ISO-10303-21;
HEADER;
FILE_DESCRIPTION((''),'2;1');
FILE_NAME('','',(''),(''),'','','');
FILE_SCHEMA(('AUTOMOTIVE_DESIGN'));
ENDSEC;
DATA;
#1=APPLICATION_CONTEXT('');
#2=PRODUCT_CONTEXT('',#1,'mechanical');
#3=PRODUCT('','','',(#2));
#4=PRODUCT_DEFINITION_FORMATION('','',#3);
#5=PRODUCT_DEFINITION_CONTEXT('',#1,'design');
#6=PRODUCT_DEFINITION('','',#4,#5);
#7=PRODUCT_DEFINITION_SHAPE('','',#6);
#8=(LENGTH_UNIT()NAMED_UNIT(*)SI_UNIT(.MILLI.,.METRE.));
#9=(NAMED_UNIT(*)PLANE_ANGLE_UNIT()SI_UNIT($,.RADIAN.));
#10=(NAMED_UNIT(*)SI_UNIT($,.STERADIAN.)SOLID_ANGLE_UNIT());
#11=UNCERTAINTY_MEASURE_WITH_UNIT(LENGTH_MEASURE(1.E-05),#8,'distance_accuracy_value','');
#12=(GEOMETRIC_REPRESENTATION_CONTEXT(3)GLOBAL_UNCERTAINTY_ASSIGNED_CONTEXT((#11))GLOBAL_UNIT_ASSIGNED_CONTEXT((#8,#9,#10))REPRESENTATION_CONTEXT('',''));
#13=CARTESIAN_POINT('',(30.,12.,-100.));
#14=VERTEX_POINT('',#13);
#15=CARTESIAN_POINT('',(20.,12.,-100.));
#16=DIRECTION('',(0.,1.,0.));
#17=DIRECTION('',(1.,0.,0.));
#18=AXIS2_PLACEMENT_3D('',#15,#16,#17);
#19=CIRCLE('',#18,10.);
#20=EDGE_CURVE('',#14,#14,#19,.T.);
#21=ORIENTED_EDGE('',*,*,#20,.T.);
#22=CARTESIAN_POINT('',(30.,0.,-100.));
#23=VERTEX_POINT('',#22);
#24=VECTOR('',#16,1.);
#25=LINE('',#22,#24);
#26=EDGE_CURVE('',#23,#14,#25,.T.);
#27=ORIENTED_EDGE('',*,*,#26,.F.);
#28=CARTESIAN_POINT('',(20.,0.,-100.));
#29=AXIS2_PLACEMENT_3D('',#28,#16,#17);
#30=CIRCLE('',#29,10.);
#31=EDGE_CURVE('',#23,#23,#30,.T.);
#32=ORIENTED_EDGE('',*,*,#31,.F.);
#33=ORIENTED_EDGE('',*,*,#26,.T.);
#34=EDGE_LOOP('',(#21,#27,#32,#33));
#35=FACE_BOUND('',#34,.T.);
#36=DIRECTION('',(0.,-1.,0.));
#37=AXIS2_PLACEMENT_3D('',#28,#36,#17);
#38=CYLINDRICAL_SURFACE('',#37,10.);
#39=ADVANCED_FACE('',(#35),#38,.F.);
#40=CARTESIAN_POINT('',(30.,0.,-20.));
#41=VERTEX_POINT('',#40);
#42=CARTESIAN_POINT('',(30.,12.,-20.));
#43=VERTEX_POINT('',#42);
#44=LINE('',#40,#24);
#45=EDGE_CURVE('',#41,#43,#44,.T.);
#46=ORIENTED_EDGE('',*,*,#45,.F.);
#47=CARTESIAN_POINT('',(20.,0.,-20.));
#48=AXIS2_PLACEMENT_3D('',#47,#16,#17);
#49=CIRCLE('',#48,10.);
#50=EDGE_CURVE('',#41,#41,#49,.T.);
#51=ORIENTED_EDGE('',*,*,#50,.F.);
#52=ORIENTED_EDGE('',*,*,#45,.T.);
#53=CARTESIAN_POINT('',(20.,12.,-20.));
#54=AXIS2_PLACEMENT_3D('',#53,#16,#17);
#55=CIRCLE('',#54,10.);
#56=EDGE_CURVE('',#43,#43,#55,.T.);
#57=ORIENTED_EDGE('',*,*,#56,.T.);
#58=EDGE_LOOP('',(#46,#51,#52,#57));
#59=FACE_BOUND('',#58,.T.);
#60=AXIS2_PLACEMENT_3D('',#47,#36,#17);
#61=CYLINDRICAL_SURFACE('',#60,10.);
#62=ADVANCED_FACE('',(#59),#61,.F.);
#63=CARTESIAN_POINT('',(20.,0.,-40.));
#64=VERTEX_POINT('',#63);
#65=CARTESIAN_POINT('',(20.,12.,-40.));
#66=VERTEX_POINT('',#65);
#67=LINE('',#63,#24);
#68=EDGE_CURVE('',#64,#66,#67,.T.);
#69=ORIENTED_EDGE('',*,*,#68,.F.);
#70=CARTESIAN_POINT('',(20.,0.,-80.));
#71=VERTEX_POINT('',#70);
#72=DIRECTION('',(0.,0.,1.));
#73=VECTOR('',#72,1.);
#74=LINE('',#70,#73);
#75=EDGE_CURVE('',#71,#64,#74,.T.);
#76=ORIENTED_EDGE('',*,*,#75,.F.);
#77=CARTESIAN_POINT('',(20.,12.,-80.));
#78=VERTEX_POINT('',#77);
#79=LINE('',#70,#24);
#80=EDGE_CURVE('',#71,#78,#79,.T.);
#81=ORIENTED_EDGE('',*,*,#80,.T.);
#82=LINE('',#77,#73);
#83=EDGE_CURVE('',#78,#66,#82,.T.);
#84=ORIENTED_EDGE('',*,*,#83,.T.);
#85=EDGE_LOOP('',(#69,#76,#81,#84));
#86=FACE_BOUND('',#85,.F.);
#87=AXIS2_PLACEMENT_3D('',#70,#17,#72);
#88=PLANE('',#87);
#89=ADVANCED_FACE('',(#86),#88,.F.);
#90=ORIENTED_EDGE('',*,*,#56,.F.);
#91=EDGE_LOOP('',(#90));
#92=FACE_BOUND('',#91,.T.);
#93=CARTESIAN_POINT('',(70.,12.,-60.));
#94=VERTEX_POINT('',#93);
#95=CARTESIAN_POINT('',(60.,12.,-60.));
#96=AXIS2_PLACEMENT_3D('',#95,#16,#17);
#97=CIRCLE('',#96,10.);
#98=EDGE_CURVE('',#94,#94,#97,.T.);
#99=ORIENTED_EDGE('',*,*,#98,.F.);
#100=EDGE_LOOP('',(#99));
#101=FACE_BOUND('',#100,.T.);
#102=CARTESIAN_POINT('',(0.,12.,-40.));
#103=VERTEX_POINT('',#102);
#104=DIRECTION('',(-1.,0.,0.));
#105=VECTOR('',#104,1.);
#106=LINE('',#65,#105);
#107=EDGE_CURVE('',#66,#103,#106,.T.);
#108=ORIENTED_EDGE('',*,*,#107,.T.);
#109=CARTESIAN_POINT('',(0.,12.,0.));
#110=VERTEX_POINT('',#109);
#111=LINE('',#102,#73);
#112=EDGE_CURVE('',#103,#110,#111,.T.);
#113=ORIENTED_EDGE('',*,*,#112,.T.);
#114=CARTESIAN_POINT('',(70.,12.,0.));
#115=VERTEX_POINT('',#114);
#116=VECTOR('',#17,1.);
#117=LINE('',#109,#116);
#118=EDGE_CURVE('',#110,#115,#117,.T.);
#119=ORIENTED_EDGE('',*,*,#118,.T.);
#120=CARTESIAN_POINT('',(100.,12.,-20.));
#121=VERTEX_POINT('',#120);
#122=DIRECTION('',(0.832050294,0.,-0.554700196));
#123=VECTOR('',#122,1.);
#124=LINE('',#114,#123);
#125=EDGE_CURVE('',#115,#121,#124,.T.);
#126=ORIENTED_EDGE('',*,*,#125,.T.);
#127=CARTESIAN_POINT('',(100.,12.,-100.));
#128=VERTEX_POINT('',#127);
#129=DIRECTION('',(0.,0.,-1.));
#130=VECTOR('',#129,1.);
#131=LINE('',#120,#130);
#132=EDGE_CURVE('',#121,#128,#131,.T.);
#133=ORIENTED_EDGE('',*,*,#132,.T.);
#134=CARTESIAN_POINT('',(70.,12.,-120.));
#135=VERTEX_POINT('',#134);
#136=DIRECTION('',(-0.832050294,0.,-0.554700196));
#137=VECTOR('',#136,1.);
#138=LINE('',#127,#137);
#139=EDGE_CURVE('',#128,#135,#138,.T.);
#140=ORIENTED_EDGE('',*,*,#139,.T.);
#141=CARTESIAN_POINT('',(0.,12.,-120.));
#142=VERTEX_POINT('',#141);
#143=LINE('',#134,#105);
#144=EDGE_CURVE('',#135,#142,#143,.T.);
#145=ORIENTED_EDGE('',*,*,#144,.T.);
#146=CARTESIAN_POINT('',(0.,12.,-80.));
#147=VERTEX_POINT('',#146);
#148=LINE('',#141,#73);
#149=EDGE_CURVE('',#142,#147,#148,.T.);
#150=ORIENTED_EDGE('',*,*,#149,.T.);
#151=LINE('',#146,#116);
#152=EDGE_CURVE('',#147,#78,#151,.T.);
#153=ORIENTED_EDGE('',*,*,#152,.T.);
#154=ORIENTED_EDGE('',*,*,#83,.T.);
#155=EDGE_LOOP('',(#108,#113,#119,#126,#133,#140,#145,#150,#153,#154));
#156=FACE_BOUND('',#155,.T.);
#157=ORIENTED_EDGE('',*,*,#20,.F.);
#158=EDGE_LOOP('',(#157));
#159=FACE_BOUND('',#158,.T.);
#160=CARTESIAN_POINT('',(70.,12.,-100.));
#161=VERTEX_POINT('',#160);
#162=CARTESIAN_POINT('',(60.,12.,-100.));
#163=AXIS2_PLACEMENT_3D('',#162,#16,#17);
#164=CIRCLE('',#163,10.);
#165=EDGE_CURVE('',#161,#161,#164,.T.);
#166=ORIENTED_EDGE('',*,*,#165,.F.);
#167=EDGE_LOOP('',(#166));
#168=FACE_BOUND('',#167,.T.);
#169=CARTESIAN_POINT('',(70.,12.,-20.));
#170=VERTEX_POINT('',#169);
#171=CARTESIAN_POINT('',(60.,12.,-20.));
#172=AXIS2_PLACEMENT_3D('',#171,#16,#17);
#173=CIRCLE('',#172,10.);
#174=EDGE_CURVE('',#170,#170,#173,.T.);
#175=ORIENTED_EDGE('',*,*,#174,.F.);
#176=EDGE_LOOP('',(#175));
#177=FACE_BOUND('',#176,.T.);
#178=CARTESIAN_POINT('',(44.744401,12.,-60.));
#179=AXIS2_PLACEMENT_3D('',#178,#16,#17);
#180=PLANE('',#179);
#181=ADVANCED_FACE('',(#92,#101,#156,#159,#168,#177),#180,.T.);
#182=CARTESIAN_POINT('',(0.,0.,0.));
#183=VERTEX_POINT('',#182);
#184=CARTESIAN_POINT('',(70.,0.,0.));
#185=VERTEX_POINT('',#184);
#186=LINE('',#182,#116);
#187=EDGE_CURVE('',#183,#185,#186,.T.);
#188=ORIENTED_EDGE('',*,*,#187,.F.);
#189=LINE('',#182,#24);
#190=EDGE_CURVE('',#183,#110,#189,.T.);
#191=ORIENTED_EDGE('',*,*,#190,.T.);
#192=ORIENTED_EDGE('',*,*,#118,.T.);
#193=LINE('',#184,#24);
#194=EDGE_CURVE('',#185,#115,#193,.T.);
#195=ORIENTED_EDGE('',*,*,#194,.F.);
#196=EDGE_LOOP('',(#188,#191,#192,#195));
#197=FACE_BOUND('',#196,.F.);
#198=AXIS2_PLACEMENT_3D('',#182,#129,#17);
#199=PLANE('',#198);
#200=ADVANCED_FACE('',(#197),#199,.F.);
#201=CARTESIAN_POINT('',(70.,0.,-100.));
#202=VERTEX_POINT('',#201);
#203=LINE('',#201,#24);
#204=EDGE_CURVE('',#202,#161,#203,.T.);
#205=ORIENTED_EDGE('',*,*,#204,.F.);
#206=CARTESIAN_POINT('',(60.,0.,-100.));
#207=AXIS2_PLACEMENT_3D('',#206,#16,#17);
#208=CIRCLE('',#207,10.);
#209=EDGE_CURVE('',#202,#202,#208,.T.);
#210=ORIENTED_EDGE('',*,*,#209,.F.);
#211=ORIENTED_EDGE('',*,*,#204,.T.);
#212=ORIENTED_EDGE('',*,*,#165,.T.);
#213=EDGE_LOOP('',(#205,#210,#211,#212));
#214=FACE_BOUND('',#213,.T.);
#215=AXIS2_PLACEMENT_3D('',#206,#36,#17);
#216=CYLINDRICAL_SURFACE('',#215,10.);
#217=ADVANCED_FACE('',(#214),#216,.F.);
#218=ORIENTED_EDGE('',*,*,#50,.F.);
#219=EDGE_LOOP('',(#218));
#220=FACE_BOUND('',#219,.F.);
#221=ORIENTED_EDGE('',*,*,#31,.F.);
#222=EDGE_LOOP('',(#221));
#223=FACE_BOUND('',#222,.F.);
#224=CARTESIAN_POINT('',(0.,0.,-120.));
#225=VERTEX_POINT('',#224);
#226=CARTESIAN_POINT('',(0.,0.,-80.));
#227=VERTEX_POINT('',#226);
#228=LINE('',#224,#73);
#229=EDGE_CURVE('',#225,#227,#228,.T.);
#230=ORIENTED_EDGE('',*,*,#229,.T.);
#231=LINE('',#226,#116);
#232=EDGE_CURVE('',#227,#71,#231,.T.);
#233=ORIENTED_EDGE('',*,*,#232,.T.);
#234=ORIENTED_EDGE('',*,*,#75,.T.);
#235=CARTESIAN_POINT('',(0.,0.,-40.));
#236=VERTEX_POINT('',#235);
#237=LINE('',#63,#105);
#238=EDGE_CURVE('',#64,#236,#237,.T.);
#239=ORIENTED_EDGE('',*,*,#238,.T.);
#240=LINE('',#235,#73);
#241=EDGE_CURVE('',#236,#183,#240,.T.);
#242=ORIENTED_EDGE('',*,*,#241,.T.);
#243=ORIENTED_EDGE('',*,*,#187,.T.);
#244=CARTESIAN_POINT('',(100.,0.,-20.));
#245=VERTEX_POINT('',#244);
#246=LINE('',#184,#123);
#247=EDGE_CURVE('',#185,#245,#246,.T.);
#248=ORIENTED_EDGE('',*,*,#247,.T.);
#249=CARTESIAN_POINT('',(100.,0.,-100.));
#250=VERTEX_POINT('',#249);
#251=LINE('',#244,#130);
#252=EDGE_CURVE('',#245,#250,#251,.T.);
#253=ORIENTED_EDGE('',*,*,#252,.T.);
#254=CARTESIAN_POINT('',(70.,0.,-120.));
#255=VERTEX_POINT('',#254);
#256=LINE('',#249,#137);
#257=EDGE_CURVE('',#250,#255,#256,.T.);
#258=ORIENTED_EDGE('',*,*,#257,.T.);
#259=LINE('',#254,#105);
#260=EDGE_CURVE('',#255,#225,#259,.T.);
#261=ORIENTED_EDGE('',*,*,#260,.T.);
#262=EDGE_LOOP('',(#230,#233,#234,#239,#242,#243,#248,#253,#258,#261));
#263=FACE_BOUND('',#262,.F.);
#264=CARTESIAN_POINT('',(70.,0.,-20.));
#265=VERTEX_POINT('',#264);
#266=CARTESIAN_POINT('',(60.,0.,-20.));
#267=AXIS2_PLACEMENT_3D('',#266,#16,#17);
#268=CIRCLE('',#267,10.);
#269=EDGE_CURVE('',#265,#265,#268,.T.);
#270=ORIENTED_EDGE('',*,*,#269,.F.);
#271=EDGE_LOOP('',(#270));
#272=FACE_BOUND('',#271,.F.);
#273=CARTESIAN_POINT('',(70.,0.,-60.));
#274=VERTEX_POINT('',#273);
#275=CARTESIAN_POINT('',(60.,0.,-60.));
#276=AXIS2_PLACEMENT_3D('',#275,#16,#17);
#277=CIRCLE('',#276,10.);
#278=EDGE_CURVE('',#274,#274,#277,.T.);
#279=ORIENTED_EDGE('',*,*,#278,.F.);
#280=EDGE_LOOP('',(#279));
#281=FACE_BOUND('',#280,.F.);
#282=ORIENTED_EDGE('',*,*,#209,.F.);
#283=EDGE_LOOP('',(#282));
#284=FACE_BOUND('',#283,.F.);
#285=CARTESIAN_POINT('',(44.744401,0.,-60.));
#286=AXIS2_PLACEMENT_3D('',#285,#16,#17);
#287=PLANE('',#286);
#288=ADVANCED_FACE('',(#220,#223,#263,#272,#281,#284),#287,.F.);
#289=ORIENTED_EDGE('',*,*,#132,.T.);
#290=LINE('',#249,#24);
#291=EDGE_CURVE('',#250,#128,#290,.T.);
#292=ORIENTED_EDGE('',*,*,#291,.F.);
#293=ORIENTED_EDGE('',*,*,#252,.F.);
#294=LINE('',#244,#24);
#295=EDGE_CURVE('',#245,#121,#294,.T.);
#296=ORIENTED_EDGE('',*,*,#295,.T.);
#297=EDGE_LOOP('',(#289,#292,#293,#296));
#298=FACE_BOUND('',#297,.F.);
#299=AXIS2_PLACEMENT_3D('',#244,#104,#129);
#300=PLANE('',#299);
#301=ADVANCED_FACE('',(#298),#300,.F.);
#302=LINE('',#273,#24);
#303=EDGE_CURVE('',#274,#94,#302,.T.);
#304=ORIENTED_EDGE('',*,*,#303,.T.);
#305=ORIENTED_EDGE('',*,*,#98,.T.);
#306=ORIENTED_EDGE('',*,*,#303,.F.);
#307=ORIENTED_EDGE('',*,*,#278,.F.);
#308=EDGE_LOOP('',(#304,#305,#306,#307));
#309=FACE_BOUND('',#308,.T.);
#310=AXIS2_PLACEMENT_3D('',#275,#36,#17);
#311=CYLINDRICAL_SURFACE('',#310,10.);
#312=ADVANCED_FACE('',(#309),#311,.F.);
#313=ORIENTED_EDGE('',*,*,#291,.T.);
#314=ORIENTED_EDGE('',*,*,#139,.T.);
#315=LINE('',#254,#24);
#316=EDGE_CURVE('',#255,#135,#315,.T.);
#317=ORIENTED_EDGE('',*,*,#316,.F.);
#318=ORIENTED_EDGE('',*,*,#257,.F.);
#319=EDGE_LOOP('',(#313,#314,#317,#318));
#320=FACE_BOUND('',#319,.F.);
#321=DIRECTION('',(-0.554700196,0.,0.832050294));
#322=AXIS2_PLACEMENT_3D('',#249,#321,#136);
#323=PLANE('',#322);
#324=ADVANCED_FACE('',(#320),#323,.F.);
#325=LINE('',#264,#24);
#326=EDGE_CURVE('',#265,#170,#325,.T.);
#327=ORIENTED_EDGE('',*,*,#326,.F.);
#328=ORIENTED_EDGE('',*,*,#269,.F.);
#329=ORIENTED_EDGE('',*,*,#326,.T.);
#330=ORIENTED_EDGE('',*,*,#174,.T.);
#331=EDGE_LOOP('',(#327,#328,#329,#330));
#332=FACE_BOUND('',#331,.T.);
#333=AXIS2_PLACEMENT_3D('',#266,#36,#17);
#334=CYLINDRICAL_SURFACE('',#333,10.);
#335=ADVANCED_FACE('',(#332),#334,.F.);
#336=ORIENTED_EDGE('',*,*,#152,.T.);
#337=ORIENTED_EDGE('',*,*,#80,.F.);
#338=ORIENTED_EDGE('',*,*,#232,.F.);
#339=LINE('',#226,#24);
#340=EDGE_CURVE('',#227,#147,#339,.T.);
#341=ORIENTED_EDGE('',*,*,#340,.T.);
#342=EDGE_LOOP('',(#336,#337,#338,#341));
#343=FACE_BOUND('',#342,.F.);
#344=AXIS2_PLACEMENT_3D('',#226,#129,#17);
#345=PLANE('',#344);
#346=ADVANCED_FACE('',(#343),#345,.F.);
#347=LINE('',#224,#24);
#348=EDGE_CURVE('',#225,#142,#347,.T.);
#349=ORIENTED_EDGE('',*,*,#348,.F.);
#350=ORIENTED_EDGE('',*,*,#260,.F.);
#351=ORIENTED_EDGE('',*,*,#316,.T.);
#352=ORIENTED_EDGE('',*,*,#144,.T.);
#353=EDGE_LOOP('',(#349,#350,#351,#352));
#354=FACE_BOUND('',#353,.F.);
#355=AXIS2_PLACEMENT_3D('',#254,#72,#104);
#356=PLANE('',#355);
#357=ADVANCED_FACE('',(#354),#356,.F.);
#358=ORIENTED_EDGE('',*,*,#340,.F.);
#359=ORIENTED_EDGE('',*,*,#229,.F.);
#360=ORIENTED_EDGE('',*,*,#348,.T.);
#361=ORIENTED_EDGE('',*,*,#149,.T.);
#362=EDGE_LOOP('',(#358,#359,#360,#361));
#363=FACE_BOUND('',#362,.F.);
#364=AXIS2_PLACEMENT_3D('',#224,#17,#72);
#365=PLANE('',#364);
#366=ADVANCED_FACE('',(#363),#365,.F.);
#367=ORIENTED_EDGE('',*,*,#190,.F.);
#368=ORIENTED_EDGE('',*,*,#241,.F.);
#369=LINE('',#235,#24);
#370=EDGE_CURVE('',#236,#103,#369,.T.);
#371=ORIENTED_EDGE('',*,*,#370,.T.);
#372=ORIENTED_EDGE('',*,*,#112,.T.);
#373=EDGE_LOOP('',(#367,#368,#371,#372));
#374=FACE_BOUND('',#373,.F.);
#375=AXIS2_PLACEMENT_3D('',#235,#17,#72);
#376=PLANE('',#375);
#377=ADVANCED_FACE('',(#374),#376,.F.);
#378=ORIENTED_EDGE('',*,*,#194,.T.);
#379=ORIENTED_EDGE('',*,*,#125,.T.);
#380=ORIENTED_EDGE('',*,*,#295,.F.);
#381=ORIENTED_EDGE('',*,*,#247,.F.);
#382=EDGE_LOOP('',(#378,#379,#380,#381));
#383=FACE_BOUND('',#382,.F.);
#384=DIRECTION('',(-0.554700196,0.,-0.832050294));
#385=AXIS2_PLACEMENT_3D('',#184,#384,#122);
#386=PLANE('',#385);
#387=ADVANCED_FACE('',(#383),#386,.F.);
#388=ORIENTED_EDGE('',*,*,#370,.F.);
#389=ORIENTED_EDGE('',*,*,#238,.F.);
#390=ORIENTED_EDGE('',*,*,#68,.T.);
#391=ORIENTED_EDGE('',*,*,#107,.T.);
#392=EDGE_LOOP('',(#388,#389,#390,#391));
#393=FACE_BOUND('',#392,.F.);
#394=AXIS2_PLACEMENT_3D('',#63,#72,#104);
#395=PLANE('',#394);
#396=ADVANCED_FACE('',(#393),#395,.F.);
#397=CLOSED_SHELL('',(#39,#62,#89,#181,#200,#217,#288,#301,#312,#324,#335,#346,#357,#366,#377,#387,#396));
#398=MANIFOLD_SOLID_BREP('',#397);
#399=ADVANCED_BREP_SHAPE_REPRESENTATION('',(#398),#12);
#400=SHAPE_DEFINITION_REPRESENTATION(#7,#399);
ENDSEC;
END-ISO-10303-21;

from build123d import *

# Parameters (mm, degrees)
SKETCH2_R           = 10
BOSS_EXTRUDE1_DEPTH = 12


with BuildPart() as part:
    # Sketch2 → Boss-Extrude1 (new body)
    with BuildSketch(Plane(origin=(0, 0, 0), x_dir=(1, 0, 0), z_dir=(0, 1, 0))):
        Polygon((0, 0), (70, 0), (100, 20), (100, 100), (70, 120), (0, 120), (0, 80), (20, 80), (20, 40), (0, 40), align=None)
        with Locations((20, 100)):
            Circle(SKETCH2_R, mode=Mode.SUBTRACT)
        with Locations((60, 100)):
            Circle(SKETCH2_R, mode=Mode.SUBTRACT)
        with Locations((60, 20)):
            Circle(SKETCH2_R, mode=Mode.SUBTRACT)
        with Locations((20, 20)):
            Circle(SKETCH2_R, mode=Mode.SUBTRACT)
        with Locations((60, 60)):
            Circle(SKETCH2_R, mode=Mode.SUBTRACT)
    extrude(amount=BOSS_EXTRUDE1_DEPTH)


solid = part.part
